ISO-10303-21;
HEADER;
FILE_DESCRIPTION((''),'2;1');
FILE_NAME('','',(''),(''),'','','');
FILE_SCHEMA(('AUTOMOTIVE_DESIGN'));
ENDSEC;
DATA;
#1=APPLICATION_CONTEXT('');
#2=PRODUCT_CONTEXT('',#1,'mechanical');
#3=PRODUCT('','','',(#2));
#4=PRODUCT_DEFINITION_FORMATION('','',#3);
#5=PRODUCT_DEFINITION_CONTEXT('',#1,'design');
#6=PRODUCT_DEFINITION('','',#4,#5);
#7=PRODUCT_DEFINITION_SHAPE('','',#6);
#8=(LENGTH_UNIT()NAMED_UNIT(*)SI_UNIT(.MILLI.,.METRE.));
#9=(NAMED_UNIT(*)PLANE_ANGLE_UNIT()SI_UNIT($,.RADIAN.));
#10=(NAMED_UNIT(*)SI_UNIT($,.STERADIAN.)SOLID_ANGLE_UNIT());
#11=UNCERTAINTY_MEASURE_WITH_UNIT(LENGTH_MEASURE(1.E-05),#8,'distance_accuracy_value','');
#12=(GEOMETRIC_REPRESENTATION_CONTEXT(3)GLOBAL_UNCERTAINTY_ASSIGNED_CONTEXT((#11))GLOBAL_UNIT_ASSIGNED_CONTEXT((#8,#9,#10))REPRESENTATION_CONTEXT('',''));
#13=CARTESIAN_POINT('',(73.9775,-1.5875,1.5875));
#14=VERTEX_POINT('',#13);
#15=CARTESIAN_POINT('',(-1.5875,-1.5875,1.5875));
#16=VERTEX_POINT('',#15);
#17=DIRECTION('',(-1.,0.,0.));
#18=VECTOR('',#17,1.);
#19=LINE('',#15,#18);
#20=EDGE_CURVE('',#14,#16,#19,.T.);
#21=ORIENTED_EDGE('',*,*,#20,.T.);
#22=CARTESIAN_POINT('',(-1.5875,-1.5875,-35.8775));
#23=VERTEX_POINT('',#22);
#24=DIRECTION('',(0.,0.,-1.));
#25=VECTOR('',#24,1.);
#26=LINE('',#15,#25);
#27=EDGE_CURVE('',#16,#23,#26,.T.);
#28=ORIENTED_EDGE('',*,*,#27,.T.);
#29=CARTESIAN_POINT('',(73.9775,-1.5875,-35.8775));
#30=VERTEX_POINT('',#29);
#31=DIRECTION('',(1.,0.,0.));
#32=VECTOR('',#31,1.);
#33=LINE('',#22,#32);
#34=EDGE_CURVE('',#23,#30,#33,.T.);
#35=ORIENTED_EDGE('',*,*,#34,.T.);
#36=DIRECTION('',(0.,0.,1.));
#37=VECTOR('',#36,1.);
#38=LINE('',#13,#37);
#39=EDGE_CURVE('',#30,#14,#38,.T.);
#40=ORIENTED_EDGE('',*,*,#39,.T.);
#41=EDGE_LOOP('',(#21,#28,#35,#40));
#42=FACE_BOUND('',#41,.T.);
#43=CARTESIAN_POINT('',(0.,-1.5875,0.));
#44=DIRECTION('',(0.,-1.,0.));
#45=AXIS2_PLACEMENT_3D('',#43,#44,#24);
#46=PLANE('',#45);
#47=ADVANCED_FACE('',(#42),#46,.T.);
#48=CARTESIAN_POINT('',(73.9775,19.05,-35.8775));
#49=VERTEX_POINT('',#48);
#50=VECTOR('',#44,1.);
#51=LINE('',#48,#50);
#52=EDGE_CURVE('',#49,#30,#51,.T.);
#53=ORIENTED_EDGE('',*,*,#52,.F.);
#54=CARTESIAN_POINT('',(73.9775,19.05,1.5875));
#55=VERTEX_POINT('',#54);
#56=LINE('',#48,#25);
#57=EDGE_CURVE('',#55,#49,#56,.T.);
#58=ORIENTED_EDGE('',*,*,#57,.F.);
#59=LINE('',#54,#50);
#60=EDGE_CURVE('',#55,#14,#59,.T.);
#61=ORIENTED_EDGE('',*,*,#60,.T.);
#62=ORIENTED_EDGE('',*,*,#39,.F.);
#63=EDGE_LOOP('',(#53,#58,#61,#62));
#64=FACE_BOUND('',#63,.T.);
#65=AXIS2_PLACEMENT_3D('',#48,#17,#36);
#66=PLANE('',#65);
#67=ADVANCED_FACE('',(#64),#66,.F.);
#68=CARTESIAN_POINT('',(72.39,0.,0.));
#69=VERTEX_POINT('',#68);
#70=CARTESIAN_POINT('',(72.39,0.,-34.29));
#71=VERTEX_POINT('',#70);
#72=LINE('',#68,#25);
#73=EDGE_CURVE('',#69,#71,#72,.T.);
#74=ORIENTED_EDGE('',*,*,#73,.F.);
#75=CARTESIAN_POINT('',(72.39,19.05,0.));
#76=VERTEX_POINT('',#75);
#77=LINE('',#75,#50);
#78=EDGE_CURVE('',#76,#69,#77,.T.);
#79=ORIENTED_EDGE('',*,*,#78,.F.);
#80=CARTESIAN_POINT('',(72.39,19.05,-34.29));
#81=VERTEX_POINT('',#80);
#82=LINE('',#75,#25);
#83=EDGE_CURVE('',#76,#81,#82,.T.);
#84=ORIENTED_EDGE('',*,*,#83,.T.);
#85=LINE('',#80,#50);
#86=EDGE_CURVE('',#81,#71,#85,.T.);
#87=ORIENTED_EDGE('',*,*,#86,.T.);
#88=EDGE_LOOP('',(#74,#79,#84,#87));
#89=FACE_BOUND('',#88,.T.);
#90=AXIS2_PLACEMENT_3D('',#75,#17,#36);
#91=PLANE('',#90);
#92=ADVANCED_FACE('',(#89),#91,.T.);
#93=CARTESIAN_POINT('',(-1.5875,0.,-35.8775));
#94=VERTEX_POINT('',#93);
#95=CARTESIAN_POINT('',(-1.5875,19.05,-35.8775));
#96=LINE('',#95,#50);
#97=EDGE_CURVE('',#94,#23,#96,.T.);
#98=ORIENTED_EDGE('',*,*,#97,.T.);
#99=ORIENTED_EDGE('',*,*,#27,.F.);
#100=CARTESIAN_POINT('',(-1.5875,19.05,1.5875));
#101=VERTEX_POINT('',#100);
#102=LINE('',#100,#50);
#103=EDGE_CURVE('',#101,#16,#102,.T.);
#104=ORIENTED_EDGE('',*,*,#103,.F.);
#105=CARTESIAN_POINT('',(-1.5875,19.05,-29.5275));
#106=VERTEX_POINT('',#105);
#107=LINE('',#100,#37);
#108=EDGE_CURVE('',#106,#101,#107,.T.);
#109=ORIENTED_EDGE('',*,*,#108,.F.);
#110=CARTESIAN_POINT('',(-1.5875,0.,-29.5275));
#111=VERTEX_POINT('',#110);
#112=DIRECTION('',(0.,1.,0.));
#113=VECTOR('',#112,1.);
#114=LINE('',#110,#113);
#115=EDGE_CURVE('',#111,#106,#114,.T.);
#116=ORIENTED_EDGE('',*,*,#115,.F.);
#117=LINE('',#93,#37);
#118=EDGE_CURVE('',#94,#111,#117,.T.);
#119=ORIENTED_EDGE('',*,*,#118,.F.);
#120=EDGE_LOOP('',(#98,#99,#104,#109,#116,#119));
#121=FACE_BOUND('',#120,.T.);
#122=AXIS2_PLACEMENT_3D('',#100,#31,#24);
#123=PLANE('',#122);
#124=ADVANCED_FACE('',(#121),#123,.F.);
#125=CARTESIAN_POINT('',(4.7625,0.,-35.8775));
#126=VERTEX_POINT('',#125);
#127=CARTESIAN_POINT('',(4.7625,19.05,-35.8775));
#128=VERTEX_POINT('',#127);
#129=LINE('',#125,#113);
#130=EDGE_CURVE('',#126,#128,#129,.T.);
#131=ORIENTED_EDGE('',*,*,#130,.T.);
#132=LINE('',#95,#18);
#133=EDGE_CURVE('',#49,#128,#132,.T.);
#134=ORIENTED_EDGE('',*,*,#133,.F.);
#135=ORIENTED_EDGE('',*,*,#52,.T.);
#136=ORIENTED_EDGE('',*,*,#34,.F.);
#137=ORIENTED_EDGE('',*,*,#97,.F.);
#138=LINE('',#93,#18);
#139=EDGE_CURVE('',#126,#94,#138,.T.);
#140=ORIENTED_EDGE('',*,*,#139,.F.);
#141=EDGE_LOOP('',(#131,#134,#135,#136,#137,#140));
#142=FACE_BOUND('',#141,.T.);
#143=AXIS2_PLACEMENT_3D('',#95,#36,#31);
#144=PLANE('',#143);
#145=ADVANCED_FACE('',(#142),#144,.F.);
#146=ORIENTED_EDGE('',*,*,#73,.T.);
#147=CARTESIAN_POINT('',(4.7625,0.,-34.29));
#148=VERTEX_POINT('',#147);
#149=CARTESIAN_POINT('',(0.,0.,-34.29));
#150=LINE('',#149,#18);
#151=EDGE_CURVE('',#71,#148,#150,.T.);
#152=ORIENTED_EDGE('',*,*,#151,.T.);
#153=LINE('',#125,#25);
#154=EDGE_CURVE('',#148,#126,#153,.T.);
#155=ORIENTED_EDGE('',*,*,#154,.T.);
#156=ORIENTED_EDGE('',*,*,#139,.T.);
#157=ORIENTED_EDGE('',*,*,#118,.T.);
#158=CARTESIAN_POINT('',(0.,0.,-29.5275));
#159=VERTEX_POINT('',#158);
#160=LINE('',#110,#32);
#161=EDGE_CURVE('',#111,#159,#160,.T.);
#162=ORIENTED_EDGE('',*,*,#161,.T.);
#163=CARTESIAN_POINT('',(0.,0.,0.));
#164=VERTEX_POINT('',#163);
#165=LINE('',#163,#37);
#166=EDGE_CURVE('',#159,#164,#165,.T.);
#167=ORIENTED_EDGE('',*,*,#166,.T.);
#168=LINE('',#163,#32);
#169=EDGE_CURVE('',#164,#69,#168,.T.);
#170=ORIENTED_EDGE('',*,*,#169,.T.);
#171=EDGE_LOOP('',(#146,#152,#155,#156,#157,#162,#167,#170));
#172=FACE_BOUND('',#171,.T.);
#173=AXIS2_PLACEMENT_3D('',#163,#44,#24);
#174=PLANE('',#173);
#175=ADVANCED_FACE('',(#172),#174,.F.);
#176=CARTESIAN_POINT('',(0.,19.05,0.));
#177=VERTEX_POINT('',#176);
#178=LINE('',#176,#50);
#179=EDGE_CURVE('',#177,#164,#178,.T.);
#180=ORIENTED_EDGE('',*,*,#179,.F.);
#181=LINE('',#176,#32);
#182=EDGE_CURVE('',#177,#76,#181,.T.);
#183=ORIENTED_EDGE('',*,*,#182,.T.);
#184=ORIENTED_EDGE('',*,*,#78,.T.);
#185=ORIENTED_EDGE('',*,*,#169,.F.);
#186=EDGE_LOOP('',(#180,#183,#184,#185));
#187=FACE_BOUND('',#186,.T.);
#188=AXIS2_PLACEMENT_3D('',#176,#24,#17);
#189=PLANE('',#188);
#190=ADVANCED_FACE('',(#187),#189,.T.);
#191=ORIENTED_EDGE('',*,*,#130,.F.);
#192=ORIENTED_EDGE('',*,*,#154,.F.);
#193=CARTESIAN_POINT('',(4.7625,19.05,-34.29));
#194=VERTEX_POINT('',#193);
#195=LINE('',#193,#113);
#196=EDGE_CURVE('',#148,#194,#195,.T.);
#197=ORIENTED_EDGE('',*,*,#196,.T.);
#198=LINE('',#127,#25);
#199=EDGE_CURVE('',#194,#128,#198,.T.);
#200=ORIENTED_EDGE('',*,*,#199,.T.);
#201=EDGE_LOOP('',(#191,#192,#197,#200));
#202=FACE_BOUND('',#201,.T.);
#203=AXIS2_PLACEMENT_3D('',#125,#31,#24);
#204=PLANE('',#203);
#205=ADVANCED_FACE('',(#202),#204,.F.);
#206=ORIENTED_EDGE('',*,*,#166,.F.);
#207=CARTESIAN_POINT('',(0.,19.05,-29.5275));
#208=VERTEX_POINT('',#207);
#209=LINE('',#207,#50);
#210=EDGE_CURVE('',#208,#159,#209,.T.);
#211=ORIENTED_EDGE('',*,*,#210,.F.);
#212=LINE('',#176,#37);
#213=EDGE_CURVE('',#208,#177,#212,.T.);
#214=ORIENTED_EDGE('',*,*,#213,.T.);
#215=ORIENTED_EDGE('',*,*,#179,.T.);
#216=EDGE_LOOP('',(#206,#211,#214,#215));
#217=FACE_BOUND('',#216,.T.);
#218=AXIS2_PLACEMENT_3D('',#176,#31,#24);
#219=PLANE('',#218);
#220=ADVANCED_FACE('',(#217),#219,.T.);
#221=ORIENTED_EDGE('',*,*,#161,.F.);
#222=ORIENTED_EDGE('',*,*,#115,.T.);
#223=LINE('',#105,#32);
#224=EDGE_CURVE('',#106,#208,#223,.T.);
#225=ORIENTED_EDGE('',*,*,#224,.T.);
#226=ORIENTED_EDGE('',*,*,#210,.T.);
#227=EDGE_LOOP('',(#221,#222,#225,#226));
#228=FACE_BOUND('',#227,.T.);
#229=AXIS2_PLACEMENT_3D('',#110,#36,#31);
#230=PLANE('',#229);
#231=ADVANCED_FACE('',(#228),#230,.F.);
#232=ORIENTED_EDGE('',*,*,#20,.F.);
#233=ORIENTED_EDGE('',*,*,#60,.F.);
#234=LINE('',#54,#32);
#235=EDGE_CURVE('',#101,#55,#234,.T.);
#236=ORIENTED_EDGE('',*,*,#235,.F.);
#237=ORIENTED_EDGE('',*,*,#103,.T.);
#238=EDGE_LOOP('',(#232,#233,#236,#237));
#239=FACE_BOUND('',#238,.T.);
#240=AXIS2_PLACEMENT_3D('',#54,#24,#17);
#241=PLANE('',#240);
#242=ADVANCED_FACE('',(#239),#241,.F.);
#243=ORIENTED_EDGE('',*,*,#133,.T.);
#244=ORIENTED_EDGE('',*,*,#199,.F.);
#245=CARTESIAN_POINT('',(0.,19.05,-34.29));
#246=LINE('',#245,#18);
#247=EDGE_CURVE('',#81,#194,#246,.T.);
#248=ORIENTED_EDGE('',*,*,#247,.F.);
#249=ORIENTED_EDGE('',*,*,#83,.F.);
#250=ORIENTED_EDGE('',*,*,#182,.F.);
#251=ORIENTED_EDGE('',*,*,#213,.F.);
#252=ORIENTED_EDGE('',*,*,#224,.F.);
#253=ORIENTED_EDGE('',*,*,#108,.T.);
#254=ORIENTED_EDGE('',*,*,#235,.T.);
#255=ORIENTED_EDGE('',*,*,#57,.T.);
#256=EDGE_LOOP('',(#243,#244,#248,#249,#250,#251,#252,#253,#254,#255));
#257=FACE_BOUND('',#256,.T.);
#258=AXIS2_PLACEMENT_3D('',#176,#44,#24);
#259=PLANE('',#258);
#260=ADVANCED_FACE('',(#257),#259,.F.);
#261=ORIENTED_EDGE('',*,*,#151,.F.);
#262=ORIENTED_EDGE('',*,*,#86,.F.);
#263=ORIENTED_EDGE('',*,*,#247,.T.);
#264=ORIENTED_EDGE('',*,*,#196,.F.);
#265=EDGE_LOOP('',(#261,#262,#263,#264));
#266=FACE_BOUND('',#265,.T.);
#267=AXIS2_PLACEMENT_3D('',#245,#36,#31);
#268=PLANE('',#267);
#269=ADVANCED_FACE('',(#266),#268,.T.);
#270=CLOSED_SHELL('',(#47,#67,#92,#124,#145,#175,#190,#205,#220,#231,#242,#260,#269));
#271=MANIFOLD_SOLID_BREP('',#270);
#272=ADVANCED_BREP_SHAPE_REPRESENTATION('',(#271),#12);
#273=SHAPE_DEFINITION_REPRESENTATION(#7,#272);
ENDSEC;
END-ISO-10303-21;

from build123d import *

# Parameters (mm, degrees)
SKETCH1_W           = 75.565
SKETCH1_H           = 37.465
SKETCH1_W_2         = 72.39
SKETCH1_H_2         = 34.29
BOSS_EXTRUDE1_DEPTH = 19.05
SKETCH2_W           = 75.565
SKETCH2_H           = 37.465
BOSS_EXTRUDE2_DEPTH = 1.5875
SKETCH3_W           = 6.35
SKETCH3_H           = 6.35
CUT_EXTRUDE1_DEPTH  = 19.05


with BuildPart() as part:
    # Sketch1 → Boss-Extrude1 (new body)
    with BuildSketch(Plane(origin=(0, 0, 0), x_dir=(1, 0, 0), z_dir=(0, 1, 0))):
        with Locations((36.195, 17.145)):
            Rectangle(SKETCH1_W, SKETCH1_H)
        with Locations((36.195, 17.145)):
            Rectangle(SKETCH1_W_2, SKETCH1_H_2, mode=Mode.SUBTRACT)
    extrude(amount=BOSS_EXTRUDE1_DEPTH)

    # Sketch2 → Boss-Extrude2 (add)
    with BuildSketch(Plane.XZ):
        with Locations((36.195, -17.145)):
            Rectangle(SKETCH2_W, SKETCH2_H)
    extrude(amount=BOSS_EXTRUDE2_DEPTH)

    # Sketch3 → Cut-Extrude1 (cut)
    with BuildSketch(Plane(origin=(0, 19.05, 0), x_dir=(1, 0, 0), z_dir=(0, 1, 0))):
        with Locations((1.5875, 32.7025)):
            Rectangle(SKETCH3_W, SKETCH3_H)
    extrude(amount=-CUT_EXTRUDE1_DEPTH, mode=Mode.SUBTRACT)


solid = part.part
